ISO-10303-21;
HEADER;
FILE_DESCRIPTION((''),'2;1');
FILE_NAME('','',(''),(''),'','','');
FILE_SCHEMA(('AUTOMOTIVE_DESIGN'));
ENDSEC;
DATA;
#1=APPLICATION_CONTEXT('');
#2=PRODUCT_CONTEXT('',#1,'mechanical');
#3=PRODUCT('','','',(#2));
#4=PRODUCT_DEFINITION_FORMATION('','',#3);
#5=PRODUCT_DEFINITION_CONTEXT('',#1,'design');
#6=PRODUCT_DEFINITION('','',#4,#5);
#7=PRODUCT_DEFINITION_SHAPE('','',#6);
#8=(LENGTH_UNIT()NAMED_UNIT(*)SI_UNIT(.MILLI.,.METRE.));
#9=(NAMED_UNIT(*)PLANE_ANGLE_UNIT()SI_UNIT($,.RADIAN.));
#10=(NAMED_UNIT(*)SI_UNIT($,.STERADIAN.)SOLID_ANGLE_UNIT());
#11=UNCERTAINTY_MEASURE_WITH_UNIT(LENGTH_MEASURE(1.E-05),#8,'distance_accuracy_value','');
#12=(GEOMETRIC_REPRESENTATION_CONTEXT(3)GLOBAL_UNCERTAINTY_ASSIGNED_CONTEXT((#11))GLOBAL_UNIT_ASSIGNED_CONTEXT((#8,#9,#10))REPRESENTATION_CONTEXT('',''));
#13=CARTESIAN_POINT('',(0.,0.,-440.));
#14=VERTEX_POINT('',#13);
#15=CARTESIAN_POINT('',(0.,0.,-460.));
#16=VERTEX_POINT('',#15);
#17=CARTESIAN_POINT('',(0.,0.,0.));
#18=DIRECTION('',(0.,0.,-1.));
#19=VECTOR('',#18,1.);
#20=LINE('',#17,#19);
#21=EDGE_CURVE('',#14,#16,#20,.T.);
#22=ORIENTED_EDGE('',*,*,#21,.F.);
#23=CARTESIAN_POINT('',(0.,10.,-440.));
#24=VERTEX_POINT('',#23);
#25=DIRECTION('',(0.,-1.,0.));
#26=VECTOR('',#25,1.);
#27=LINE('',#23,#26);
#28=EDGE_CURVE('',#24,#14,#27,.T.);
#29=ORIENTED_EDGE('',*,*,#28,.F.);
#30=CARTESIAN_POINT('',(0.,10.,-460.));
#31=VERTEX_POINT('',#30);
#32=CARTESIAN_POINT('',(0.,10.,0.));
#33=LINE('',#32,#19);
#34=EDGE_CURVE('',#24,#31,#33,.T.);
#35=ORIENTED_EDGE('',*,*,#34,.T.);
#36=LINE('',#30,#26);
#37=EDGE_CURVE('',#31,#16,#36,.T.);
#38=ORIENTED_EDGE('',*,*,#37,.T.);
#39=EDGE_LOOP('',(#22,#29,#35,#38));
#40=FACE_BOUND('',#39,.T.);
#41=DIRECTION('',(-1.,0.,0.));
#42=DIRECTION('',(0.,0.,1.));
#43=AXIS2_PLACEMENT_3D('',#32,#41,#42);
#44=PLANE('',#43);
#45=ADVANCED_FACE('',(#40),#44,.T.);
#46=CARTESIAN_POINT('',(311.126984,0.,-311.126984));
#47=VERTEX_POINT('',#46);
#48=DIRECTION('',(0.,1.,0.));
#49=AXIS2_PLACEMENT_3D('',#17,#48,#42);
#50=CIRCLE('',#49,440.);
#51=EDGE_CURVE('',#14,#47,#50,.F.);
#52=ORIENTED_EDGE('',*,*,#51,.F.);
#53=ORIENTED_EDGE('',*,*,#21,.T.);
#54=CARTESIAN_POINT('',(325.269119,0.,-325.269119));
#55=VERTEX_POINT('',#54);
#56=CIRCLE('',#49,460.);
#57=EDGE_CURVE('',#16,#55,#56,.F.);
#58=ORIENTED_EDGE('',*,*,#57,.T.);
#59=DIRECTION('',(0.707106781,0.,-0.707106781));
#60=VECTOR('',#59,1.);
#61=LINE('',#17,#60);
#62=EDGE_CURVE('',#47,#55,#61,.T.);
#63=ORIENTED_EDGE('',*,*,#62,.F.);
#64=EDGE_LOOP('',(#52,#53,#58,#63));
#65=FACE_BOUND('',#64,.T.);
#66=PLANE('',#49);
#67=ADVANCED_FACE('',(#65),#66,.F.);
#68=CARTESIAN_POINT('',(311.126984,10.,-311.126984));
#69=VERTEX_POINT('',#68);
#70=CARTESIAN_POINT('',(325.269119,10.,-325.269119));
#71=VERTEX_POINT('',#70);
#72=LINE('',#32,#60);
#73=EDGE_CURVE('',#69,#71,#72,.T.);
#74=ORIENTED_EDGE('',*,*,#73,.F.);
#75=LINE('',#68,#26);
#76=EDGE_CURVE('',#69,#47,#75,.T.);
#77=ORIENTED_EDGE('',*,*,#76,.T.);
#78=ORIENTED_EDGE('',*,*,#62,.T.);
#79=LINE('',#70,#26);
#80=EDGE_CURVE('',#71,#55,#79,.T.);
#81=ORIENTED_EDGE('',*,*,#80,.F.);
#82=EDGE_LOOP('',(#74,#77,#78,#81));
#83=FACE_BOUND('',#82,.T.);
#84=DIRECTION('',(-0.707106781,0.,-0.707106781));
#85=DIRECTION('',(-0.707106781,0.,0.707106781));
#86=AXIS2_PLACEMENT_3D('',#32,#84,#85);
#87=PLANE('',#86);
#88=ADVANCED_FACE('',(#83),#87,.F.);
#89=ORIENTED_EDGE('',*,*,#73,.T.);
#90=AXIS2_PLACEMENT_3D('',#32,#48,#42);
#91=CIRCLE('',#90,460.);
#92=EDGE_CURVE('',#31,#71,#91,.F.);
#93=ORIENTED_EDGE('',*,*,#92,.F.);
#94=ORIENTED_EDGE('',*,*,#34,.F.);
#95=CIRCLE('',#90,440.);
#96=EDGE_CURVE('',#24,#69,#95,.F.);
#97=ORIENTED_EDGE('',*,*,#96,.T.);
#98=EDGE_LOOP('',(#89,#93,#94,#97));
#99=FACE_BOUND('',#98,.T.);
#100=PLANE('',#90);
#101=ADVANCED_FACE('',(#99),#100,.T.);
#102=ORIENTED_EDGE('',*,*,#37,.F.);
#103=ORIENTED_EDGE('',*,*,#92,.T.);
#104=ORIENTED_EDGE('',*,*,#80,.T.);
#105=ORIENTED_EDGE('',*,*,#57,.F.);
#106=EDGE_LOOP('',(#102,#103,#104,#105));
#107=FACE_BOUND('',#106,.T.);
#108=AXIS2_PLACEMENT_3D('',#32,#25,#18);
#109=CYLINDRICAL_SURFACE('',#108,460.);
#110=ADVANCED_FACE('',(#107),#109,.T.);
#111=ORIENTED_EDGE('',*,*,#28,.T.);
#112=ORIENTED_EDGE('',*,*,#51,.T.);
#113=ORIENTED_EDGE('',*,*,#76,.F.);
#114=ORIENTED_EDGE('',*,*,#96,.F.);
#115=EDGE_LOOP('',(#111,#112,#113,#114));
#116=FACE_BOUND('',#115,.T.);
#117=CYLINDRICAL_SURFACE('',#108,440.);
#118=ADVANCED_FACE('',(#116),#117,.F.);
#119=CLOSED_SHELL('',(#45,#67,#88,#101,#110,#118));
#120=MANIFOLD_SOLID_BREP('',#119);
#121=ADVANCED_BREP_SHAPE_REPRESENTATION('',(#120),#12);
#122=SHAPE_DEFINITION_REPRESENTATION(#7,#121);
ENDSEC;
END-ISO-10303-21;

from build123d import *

# Parameters (mm, degrees)
BOSS_EXTRUDE1_DEPTH = 10


with BuildPart() as part:
    # Sketch1 → Boss-Extrude1 (new body)
    with BuildSketch(Plane(origin=(0, 0, 0), x_dir=(1, 0, 0), z_dir=(0, 1, 0))):
        with BuildLine():
            ThreePointArc((0, 460), (176.034378888, 424.984584955), (325.269119346, 325.269119346))
            Line((325.269119346, 325.269119346), (311.126983722, 311.126983722))
            ThreePointArc((311.126983722, 311.126983722), (168.380710241, 406.506994305), (0, 440))
            Line((0, 440), (0, 460))
        make_face()
    extrude(amount=BOSS_EXTRUDE1_DEPTH)


solid = part.part
